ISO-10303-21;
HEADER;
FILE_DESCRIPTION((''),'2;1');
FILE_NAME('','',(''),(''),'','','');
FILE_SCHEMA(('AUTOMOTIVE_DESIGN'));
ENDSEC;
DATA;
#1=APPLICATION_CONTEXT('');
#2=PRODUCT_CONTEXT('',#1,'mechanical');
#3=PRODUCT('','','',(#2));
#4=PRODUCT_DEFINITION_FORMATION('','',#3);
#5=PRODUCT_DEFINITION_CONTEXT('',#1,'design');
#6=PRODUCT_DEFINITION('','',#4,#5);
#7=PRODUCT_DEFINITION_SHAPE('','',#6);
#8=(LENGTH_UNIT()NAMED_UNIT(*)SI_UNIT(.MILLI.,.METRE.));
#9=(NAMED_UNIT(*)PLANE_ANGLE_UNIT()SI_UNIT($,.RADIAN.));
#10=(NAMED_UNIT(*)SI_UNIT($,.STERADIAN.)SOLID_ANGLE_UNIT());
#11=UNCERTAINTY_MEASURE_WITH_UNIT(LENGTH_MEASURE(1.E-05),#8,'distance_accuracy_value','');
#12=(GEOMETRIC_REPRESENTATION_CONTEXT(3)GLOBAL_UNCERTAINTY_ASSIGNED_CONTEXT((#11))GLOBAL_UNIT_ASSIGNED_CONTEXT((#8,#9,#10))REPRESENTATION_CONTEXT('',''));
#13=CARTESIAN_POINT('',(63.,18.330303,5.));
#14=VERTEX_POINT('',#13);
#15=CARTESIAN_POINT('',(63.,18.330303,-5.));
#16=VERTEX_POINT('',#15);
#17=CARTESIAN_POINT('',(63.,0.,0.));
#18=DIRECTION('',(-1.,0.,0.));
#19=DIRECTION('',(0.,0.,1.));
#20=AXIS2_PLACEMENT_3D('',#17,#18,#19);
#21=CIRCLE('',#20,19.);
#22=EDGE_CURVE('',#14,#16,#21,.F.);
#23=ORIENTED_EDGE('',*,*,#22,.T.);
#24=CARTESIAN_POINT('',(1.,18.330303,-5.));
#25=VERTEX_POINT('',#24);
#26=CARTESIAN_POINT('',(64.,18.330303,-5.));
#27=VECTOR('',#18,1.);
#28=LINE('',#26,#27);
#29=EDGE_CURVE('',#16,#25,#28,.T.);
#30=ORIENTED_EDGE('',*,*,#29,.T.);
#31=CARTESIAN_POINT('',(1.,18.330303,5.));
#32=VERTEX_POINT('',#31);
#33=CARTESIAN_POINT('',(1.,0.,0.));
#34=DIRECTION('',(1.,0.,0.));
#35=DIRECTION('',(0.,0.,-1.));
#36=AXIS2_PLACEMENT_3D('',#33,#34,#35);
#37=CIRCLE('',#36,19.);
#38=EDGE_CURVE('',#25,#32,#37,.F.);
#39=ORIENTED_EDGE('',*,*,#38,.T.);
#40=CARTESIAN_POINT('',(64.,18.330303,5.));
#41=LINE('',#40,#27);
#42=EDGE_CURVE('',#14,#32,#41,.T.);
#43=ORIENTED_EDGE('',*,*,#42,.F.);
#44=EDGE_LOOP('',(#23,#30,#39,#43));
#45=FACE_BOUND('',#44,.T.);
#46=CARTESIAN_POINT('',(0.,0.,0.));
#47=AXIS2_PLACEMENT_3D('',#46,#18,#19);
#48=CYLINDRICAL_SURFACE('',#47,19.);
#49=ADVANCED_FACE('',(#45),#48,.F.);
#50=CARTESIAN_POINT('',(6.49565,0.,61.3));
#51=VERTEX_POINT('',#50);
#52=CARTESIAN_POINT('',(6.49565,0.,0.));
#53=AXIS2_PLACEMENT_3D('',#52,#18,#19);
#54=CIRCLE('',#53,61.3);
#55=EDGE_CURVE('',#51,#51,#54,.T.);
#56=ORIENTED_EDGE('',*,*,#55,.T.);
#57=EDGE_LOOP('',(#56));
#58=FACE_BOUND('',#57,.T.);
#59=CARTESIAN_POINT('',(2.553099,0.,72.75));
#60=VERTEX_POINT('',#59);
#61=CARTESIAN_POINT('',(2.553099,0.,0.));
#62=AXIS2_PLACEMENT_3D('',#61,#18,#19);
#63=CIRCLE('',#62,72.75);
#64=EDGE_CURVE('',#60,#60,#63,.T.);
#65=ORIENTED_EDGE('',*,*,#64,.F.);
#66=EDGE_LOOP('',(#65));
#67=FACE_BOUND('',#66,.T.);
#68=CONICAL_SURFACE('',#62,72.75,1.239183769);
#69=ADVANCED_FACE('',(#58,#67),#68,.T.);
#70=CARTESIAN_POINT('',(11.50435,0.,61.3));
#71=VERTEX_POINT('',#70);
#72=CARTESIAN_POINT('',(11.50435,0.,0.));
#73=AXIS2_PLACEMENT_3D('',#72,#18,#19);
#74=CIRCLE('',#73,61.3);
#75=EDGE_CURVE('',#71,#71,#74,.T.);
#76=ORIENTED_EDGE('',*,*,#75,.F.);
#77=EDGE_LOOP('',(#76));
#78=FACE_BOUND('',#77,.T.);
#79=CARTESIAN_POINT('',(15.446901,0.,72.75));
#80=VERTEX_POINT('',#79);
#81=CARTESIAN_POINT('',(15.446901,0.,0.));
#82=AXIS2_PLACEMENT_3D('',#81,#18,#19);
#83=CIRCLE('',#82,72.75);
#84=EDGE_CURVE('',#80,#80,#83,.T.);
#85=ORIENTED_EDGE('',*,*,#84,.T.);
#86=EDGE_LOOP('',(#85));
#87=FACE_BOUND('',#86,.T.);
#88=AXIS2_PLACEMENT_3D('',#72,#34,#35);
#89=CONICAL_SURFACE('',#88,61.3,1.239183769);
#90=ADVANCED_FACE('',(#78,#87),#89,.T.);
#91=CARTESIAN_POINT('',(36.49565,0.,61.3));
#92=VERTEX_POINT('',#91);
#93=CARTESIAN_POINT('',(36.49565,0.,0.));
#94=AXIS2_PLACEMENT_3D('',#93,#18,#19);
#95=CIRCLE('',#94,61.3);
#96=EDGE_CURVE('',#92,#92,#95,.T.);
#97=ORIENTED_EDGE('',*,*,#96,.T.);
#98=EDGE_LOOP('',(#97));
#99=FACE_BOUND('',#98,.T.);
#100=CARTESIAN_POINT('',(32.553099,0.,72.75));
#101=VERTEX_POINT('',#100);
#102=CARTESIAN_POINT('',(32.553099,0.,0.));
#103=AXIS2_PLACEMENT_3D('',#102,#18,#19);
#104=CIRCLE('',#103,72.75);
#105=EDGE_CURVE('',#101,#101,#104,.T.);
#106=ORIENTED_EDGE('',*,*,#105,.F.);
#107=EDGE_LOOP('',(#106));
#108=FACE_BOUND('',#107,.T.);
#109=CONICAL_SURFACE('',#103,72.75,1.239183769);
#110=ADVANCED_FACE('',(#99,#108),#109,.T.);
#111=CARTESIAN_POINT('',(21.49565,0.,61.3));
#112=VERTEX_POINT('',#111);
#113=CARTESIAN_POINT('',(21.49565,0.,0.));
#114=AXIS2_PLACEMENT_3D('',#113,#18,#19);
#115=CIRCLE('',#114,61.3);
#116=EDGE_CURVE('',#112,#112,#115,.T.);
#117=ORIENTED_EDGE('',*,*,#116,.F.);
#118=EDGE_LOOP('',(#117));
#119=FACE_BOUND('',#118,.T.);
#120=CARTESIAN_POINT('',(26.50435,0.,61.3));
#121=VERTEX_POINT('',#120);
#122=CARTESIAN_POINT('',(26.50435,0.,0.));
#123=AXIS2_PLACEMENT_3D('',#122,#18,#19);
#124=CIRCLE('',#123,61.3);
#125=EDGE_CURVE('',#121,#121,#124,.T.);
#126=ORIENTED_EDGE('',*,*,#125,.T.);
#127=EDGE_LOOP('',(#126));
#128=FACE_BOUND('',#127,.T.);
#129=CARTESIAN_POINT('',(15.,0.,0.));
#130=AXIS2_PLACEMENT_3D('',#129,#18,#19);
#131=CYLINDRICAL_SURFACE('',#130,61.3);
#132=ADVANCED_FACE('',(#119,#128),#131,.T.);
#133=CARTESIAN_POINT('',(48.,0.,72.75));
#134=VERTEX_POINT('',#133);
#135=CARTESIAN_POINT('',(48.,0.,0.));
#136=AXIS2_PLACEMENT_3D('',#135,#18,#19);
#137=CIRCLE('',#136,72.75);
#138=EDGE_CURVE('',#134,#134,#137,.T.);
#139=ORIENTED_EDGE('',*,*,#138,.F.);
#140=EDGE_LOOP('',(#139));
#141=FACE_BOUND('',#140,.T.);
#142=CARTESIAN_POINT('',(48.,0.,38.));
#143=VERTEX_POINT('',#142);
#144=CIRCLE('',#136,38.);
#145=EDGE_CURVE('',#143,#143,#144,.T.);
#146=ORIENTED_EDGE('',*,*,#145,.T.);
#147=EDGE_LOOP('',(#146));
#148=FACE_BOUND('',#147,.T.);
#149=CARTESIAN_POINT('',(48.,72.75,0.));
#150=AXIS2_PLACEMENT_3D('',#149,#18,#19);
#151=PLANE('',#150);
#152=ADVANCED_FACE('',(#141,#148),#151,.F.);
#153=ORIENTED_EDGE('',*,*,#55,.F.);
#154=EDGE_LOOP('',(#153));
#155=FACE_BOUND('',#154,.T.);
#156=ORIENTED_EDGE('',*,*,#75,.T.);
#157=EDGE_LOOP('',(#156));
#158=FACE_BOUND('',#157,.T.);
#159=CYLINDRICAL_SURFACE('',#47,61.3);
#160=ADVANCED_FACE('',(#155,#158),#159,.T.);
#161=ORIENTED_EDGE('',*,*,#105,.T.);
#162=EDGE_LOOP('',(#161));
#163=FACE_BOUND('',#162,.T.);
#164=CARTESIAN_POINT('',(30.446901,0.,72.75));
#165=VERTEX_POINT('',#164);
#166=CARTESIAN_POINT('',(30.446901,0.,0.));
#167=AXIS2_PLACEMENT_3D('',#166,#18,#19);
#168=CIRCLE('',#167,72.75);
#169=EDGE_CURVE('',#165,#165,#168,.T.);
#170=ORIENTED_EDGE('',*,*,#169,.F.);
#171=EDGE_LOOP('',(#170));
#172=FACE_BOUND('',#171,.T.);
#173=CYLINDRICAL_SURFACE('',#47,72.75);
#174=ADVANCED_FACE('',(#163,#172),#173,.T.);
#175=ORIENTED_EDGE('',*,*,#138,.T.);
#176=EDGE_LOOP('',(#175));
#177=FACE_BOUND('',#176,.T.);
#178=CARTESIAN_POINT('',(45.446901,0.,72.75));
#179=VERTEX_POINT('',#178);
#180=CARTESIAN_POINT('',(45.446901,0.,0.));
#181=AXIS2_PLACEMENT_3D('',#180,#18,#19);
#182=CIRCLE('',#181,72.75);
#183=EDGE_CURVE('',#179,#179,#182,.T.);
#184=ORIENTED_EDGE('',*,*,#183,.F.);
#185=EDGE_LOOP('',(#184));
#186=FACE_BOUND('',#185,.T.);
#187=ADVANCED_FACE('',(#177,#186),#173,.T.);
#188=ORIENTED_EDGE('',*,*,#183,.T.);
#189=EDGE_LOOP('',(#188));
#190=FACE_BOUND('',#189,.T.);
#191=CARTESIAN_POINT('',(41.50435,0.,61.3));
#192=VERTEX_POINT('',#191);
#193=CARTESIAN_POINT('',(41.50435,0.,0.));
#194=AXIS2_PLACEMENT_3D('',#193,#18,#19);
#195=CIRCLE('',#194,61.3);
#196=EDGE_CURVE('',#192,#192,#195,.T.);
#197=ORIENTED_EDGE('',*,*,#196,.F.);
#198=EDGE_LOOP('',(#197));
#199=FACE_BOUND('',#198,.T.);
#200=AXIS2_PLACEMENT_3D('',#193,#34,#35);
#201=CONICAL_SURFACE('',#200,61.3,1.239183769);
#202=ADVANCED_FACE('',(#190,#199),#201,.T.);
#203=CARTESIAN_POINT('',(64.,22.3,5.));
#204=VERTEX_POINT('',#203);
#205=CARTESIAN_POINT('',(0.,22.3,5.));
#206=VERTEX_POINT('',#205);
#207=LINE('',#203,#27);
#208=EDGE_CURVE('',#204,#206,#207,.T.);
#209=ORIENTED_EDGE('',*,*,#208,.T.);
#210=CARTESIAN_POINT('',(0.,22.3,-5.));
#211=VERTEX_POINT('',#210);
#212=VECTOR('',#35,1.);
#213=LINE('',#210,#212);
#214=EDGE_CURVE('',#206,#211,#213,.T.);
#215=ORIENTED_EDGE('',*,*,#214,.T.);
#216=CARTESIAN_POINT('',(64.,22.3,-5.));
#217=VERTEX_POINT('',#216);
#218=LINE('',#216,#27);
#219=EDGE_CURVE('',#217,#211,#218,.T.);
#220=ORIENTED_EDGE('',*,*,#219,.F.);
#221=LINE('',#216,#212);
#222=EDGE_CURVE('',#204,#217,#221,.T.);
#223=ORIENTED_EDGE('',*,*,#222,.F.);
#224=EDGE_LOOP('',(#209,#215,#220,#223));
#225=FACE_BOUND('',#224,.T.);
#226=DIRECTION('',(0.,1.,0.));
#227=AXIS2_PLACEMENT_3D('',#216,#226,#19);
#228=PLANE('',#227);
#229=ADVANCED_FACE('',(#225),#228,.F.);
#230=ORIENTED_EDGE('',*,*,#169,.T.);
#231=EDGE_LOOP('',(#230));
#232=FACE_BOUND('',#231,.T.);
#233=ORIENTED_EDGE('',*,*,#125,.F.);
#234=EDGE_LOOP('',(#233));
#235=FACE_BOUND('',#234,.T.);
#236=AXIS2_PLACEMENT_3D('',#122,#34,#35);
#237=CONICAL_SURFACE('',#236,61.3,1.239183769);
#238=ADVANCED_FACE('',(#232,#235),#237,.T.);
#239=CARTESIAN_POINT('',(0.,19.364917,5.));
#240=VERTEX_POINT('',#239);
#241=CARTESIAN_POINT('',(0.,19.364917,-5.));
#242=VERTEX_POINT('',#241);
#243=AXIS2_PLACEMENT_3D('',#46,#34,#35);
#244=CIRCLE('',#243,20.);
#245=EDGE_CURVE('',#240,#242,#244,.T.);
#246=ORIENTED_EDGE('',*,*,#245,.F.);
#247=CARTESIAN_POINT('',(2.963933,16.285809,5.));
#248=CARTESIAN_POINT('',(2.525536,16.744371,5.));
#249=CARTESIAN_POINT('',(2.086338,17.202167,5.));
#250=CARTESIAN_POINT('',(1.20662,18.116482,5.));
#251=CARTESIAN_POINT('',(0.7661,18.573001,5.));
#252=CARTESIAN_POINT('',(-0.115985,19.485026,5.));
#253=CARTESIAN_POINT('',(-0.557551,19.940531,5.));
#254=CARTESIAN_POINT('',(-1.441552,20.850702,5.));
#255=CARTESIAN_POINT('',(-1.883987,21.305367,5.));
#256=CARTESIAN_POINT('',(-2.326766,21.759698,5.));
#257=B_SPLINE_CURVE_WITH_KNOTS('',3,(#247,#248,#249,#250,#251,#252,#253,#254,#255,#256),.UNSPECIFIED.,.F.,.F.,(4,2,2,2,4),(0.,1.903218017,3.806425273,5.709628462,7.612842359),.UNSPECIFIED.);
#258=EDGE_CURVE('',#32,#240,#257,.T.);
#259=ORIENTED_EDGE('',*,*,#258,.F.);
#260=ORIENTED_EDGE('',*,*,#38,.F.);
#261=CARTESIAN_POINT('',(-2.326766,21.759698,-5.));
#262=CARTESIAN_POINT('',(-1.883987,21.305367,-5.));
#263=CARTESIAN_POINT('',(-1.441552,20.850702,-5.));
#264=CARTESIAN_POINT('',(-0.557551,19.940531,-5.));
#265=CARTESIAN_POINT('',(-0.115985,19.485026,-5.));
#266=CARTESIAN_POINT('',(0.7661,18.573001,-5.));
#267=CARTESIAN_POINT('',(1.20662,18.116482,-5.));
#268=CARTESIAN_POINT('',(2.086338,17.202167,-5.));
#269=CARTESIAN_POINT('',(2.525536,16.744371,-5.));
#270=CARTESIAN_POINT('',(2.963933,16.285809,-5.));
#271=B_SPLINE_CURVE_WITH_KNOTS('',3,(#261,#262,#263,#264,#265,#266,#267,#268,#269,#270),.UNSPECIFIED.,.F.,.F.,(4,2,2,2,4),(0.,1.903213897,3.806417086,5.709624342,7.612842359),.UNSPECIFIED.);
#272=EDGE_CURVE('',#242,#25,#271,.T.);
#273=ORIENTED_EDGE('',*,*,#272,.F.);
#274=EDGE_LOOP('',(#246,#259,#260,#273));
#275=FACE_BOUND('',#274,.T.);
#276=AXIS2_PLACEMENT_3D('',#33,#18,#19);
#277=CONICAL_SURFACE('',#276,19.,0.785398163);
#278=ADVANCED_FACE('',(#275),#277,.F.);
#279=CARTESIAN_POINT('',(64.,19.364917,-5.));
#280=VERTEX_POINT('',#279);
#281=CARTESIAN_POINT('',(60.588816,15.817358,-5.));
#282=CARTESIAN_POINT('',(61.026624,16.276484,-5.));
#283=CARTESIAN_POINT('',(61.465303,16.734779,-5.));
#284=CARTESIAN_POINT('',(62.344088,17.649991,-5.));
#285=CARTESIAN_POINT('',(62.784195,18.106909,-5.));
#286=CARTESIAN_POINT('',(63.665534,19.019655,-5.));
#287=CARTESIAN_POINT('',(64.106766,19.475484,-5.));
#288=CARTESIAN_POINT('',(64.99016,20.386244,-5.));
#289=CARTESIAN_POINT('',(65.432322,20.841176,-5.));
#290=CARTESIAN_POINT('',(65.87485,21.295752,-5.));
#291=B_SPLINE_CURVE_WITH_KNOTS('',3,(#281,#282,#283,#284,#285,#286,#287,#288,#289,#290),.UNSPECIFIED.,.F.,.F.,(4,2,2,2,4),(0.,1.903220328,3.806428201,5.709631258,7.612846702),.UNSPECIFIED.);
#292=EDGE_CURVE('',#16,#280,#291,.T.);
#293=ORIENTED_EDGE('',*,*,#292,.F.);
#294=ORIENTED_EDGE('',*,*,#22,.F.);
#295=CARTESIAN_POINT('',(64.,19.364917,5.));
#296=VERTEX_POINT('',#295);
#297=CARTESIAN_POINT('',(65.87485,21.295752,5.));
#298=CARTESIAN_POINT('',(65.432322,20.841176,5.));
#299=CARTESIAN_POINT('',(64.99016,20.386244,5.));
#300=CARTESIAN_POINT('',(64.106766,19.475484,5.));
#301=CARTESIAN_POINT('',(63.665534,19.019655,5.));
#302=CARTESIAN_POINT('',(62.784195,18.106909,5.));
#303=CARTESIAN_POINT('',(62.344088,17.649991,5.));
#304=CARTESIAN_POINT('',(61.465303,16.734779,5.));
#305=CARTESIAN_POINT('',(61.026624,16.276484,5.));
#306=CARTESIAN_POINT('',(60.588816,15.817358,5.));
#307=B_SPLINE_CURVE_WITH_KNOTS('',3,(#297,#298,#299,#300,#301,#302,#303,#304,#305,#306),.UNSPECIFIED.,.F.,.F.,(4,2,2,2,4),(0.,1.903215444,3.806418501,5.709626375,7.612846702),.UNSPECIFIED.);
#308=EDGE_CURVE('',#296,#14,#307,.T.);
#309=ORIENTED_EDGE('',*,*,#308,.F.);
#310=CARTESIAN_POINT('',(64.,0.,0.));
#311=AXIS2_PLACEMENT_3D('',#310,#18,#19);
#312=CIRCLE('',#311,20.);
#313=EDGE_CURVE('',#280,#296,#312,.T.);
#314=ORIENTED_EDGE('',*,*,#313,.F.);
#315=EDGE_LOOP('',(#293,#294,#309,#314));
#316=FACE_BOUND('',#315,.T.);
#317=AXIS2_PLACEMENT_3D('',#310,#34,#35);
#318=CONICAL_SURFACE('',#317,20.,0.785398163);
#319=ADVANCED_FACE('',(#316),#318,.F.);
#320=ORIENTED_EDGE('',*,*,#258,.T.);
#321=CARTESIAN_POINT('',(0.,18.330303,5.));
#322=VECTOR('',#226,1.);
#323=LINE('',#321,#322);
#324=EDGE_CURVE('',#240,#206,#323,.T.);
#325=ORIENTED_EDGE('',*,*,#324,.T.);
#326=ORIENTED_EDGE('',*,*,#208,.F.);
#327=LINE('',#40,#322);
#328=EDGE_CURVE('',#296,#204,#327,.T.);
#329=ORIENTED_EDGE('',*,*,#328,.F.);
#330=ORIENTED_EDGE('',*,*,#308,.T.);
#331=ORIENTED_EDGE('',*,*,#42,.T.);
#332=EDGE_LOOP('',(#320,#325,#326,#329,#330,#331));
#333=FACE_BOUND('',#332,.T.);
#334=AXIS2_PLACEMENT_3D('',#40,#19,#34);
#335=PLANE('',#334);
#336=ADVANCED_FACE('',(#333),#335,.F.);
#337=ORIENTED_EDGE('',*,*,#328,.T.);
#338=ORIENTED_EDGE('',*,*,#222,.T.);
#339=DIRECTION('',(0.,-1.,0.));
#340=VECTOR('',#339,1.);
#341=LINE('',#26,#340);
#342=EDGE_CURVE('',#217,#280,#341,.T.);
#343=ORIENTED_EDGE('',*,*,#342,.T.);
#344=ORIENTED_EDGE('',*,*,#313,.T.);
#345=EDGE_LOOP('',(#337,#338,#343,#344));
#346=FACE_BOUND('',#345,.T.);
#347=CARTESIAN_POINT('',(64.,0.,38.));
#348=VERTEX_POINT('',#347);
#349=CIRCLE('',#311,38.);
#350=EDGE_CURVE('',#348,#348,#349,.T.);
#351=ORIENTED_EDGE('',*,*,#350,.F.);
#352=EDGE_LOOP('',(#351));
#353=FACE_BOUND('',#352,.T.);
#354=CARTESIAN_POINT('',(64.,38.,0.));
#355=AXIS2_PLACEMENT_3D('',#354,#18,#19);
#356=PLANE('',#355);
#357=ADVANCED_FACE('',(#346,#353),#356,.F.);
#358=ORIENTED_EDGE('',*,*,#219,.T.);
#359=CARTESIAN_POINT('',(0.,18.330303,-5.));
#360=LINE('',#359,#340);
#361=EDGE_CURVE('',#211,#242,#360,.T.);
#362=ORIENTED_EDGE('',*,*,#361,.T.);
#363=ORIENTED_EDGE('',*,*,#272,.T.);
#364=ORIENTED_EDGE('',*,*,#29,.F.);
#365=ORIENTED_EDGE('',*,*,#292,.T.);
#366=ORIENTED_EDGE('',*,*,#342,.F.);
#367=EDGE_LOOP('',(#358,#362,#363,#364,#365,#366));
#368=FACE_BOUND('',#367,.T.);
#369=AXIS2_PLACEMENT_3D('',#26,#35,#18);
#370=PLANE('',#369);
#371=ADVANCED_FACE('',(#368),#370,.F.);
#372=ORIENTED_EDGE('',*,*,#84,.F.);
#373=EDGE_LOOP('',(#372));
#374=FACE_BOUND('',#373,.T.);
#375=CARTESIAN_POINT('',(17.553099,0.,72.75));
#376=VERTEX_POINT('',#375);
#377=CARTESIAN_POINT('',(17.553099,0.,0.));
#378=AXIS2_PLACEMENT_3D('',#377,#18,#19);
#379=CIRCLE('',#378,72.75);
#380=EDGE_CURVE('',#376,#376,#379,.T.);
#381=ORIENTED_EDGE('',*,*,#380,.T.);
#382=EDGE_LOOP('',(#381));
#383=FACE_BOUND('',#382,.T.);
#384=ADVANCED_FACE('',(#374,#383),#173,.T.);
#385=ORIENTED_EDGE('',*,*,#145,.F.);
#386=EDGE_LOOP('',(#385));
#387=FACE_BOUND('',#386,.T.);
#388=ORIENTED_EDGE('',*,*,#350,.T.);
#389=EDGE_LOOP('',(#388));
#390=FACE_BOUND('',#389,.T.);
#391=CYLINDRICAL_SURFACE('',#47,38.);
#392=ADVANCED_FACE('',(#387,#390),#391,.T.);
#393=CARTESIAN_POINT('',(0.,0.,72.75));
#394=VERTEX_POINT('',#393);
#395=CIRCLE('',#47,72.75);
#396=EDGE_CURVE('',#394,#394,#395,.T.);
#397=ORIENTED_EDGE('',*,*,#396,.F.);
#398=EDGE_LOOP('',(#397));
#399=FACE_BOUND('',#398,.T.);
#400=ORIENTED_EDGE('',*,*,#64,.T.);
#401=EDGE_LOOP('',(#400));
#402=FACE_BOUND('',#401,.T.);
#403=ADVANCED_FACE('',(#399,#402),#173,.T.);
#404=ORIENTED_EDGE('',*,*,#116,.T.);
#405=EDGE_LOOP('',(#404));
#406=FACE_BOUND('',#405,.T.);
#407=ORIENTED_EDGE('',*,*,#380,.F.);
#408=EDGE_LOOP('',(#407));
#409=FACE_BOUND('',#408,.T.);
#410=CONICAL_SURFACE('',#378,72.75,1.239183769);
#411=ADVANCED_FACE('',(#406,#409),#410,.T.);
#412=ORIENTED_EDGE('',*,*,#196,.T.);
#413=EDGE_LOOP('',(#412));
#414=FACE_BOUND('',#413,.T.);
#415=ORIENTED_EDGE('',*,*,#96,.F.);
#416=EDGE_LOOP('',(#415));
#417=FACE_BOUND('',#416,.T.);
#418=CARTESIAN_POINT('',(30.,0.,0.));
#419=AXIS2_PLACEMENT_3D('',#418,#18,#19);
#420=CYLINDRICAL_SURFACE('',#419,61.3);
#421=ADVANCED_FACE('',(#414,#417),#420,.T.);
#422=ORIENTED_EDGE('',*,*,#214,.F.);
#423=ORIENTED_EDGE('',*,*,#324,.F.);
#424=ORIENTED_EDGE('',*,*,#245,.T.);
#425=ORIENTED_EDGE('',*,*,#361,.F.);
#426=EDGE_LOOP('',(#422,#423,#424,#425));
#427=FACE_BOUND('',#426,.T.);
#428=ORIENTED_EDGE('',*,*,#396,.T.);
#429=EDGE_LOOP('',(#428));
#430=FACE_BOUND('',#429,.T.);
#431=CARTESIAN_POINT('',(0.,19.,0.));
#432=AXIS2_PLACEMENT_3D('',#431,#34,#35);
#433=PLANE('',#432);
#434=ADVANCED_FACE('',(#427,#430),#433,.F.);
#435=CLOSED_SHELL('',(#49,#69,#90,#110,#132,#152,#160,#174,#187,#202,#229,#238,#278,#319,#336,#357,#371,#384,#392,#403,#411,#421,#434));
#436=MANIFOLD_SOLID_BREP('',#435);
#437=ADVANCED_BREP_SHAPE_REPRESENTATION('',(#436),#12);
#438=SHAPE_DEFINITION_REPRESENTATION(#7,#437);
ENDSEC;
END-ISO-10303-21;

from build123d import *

# Parameters (mm, degrees)
PATTERN_LINEAR_1_COUNT = 3
PATTERN_LINEAR_1_PITCH = 15
CHAMFER_1_SIZE         = 1
SKETCH_4_W             = 10
SKETCH_4_H             = 3.969697172
CUT_EXTRUDE_1_DEPTH    = 122.165692339


with BuildPart() as part:
    # 草图1 → 旋转1 (revolve)
    with BuildSketch(Plane.XY, mode=Mode.PRIVATE) as revolve_1_sk:
        Polygon((0, 19), (0, 72.75), (48, 72.75), (48, 38), (64, 38), (64, 19), align=None)
    revolve(revolve_1_sk.sketch.rotate(Axis((0, 0, 0), (1, 0, 0)), 90), axis=Axis((0, 0, 0), (1, 0, 0)))

    # 草图2 → 切除-旋转1 (revolve, cut)
    with BuildSketch(Plane.XY, mode=Mode.PRIVATE) as cut_revolve_1_sk:
        Polygon((11.504349764, 61.3), (15.446900937, 72.75), (2.553099063, 72.75), (6.495650236, 61.3), align=None)
    cut_revolve_1 = revolve(cut_revolve_1_sk.sketch.rotate(Axis((0, 0, 0), (1, 0, 0)), 90), axis=Axis((0, 0, 0), (1, 0, 0)), mode=Mode.SUBTRACT)

    # 阵列(线性)1: 切除-旋转1 ×3
    with Locations(*[(i * PATTERN_LINEAR_1_PITCH, 0, 0) for i in range(1, PATTERN_LINEAR_1_COUNT)]):
        add(cut_revolve_1, mode=Mode.SUBTRACT)

    # 倒角1
    chamfer_1_edges = [part.edges().sort_by_distance(p)[0] for p in [
        (64, 0, -19),
        (0, 0, -19),
    ]]
    chamfer(chamfer_1_edges, length=CHAMFER_1_SIZE)

    # 草图4 → 切除-拉伸1 (cut, through all)
    with BuildSketch(Plane.ZY):
        with Locations((0, 20.315151366)):
            Rectangle(SKETCH_4_W, SKETCH_4_H)
    extrude(amount=-CUT_EXTRUDE_1_DEPTH, mode=Mode.SUBTRACT)


solid = part.part
